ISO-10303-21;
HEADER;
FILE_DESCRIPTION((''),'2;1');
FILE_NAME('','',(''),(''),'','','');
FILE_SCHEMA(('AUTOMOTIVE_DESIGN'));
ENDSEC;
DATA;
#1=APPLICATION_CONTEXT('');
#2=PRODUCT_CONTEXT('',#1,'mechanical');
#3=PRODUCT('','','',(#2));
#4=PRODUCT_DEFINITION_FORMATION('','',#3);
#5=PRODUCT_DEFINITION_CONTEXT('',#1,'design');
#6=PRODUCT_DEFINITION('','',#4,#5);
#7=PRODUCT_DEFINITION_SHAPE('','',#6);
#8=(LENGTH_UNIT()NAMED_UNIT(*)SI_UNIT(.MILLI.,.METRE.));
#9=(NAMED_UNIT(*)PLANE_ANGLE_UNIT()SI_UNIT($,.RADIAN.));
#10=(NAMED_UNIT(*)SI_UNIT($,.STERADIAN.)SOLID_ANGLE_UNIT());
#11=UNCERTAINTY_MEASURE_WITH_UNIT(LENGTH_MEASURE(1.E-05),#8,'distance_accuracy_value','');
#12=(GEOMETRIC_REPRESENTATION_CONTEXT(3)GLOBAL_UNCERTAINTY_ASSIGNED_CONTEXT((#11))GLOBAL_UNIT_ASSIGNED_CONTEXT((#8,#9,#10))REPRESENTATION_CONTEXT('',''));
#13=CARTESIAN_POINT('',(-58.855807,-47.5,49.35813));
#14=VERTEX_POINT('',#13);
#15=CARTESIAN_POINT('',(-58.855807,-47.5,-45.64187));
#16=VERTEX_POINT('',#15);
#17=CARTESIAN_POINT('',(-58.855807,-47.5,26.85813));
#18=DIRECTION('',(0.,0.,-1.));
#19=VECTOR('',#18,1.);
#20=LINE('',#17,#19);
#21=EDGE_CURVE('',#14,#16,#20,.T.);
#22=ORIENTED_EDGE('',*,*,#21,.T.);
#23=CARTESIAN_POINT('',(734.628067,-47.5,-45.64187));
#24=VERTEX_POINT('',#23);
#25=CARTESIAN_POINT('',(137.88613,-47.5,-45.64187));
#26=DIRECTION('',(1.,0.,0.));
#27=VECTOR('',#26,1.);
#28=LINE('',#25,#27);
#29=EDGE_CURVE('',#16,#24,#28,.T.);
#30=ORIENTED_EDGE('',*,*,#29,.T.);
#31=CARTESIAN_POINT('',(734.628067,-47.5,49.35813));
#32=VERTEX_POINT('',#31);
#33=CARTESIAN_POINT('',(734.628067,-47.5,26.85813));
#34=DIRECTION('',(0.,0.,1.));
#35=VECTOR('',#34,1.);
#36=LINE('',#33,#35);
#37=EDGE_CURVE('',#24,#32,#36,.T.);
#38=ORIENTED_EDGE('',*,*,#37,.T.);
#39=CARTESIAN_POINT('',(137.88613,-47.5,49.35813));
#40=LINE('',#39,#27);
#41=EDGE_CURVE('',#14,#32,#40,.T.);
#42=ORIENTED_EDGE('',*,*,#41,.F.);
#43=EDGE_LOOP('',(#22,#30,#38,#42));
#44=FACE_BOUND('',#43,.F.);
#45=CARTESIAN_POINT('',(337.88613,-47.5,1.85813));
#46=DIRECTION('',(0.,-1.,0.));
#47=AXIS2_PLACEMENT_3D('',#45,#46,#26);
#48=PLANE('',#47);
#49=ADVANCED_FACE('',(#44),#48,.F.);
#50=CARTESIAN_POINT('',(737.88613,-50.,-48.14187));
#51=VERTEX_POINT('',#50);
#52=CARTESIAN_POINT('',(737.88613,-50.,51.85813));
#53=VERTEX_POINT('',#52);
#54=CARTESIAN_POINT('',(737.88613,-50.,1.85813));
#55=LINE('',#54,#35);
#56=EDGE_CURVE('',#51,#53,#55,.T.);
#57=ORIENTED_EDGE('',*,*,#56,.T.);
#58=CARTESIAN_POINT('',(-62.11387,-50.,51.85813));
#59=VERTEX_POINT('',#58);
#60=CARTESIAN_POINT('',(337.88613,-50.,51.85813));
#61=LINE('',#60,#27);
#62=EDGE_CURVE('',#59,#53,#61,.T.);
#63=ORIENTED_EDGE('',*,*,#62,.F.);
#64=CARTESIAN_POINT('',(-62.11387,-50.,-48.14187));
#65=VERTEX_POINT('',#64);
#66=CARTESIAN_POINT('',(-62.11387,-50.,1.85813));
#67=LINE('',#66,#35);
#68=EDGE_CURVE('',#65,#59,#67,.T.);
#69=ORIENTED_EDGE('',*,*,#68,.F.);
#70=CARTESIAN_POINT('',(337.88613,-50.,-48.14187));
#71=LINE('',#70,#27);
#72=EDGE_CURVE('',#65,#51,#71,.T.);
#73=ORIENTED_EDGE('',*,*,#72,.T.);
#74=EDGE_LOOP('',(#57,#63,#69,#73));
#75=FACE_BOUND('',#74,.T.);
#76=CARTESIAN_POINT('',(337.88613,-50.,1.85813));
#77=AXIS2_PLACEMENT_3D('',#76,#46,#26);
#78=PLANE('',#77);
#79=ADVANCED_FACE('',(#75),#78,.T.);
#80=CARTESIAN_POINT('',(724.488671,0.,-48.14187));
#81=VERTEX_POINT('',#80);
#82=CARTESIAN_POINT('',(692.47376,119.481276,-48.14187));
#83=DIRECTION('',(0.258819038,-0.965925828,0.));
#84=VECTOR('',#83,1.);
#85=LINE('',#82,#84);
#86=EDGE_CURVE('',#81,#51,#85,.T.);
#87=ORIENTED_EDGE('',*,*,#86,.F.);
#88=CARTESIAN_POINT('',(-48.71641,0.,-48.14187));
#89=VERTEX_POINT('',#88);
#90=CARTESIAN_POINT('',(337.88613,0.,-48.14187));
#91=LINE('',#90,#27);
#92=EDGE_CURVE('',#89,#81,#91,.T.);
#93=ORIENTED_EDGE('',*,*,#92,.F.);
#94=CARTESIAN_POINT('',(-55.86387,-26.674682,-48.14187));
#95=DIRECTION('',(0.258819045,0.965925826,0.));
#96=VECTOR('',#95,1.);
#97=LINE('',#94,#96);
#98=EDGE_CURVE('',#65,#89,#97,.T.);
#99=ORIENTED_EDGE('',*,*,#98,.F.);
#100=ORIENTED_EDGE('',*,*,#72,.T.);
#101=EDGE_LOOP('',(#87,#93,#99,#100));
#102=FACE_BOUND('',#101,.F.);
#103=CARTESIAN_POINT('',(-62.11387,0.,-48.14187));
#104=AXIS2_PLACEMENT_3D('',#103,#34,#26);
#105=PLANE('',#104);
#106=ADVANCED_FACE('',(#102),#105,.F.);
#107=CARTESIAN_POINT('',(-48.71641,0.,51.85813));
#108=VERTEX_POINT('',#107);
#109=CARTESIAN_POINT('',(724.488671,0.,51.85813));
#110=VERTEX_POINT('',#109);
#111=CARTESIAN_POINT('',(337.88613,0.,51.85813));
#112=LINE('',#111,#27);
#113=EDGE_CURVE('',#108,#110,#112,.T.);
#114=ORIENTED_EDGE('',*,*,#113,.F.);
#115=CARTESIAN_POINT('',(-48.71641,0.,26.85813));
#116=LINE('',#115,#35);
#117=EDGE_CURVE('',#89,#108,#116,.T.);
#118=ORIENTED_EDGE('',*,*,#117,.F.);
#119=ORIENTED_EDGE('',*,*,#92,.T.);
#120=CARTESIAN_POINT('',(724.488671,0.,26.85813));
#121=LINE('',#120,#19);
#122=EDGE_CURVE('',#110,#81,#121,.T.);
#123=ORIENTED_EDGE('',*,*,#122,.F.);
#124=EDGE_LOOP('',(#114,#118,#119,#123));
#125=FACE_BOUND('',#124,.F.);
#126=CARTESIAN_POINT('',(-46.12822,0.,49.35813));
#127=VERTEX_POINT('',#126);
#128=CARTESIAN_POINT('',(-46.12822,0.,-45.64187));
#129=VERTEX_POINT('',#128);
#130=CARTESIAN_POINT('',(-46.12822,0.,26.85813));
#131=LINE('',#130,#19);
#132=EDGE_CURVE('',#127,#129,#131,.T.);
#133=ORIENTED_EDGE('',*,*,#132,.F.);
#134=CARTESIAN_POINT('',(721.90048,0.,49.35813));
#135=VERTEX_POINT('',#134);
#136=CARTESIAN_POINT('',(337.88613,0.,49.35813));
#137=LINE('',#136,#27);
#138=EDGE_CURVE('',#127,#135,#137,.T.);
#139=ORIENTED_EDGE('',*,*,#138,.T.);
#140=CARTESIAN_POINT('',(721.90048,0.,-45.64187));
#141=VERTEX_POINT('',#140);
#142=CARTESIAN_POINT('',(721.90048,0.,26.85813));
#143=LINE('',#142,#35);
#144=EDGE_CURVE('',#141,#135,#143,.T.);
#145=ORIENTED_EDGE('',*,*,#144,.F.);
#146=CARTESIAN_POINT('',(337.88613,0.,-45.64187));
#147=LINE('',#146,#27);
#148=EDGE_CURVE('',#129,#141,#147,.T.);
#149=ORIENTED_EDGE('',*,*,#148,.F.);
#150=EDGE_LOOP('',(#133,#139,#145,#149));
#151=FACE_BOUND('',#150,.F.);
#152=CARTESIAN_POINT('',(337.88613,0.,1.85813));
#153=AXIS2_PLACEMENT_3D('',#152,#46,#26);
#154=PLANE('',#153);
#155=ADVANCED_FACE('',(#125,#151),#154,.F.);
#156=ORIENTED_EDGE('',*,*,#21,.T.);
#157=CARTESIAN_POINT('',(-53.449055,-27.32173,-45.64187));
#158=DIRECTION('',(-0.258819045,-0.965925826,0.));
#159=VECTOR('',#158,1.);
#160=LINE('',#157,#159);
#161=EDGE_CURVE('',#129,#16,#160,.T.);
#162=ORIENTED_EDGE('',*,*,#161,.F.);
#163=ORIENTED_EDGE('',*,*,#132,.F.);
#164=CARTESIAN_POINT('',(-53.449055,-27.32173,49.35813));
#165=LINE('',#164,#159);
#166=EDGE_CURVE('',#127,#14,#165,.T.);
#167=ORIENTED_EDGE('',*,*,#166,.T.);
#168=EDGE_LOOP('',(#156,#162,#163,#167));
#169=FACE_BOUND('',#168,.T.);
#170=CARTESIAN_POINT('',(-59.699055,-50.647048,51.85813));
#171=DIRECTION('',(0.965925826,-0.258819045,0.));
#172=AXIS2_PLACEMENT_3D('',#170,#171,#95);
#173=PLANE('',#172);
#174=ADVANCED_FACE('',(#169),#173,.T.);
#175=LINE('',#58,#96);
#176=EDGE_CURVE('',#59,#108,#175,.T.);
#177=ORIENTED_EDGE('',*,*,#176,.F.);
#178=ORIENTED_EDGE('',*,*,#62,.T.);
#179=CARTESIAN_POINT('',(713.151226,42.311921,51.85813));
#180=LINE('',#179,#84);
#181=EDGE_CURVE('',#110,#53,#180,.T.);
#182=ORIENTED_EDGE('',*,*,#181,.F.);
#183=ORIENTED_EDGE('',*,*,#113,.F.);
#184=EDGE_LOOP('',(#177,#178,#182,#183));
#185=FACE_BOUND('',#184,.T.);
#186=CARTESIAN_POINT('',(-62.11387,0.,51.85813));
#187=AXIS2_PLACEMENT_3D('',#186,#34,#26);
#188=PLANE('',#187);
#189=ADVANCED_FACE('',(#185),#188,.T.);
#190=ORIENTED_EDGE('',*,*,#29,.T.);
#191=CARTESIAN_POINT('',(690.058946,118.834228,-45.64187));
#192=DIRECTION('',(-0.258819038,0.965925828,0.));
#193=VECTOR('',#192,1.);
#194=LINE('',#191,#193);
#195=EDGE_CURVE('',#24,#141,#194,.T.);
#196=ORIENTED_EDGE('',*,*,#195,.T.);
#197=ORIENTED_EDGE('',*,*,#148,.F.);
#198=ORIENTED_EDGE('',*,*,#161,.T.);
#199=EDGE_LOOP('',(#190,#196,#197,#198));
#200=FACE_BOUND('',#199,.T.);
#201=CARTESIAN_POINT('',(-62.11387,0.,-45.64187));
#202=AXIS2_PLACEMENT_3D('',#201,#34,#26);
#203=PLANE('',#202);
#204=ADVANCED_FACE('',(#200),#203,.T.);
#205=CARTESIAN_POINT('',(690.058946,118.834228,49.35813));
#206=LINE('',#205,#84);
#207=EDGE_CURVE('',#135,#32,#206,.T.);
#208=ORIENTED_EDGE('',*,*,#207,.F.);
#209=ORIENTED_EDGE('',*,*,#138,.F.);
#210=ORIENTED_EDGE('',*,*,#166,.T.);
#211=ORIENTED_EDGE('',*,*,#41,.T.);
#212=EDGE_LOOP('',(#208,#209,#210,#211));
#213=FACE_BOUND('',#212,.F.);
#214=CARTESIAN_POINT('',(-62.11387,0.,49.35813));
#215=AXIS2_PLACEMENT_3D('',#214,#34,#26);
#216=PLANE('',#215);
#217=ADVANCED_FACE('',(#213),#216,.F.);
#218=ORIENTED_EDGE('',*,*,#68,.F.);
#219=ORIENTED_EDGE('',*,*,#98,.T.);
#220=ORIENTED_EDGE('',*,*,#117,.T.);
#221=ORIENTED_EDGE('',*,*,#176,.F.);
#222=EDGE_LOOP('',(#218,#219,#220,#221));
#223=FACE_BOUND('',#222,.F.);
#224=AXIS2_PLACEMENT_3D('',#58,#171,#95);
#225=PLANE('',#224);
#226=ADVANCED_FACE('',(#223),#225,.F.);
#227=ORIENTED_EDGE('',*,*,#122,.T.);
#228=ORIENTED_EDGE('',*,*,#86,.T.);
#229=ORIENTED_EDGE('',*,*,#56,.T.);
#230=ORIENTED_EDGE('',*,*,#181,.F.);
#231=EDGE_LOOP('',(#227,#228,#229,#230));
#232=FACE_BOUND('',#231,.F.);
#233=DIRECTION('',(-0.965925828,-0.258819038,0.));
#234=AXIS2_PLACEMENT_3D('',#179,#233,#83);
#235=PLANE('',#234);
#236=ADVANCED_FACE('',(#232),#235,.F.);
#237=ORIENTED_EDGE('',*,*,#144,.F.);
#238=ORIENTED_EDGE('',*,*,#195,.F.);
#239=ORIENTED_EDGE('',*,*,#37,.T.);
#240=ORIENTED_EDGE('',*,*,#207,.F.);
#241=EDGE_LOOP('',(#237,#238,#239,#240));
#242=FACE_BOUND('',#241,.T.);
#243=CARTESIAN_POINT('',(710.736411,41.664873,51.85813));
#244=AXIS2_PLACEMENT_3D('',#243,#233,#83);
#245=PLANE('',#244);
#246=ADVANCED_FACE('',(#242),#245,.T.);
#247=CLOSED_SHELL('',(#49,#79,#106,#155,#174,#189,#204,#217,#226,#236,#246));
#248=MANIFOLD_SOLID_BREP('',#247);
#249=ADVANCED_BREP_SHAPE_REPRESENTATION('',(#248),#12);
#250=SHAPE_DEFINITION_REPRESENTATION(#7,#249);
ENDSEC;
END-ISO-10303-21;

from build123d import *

# Parameters (mm, degrees)
F0_W     = 800
F0_H     = 100
F1_DEPTH = 50
F3_DEPTH = 100.001
F4_T     = -2.5


with BuildPart() as f1:
    # F0 (on Front) → F1 (new body)
    with BuildSketch(Plane.XZ):
        with Locations((337.88613, 1.85813)):
            Rectangle(F0_W, F0_H)
    extrude(amount=F1_DEPTH)

    # F2 (on face) → F3 (cut, through all)
    with BuildSketch(Plane.XY.offset(51.85813)):
        Polygon((-61.941713, -51.992044), (-62.11387, -50), (-36.069817, 47.197729), (-99.164672, 0), (-90.427369, -71.46059), align=None)
        Polygon((713.151226, 42.311921), (737.88613, -50), (805.342257, -50.860211), (814.011762, 33.620565), align=None)
    extrude(amount=-F3_DEPTH, mode=Mode.SUBTRACT)

    # F4
    f4_openings = [f1.faces().sort_by_distance(p)[0] for p in [
        (337.88613, 0, 1.85813),
    ]]
    offset(amount=F4_T, openings=f4_openings)


solid = f1.part
